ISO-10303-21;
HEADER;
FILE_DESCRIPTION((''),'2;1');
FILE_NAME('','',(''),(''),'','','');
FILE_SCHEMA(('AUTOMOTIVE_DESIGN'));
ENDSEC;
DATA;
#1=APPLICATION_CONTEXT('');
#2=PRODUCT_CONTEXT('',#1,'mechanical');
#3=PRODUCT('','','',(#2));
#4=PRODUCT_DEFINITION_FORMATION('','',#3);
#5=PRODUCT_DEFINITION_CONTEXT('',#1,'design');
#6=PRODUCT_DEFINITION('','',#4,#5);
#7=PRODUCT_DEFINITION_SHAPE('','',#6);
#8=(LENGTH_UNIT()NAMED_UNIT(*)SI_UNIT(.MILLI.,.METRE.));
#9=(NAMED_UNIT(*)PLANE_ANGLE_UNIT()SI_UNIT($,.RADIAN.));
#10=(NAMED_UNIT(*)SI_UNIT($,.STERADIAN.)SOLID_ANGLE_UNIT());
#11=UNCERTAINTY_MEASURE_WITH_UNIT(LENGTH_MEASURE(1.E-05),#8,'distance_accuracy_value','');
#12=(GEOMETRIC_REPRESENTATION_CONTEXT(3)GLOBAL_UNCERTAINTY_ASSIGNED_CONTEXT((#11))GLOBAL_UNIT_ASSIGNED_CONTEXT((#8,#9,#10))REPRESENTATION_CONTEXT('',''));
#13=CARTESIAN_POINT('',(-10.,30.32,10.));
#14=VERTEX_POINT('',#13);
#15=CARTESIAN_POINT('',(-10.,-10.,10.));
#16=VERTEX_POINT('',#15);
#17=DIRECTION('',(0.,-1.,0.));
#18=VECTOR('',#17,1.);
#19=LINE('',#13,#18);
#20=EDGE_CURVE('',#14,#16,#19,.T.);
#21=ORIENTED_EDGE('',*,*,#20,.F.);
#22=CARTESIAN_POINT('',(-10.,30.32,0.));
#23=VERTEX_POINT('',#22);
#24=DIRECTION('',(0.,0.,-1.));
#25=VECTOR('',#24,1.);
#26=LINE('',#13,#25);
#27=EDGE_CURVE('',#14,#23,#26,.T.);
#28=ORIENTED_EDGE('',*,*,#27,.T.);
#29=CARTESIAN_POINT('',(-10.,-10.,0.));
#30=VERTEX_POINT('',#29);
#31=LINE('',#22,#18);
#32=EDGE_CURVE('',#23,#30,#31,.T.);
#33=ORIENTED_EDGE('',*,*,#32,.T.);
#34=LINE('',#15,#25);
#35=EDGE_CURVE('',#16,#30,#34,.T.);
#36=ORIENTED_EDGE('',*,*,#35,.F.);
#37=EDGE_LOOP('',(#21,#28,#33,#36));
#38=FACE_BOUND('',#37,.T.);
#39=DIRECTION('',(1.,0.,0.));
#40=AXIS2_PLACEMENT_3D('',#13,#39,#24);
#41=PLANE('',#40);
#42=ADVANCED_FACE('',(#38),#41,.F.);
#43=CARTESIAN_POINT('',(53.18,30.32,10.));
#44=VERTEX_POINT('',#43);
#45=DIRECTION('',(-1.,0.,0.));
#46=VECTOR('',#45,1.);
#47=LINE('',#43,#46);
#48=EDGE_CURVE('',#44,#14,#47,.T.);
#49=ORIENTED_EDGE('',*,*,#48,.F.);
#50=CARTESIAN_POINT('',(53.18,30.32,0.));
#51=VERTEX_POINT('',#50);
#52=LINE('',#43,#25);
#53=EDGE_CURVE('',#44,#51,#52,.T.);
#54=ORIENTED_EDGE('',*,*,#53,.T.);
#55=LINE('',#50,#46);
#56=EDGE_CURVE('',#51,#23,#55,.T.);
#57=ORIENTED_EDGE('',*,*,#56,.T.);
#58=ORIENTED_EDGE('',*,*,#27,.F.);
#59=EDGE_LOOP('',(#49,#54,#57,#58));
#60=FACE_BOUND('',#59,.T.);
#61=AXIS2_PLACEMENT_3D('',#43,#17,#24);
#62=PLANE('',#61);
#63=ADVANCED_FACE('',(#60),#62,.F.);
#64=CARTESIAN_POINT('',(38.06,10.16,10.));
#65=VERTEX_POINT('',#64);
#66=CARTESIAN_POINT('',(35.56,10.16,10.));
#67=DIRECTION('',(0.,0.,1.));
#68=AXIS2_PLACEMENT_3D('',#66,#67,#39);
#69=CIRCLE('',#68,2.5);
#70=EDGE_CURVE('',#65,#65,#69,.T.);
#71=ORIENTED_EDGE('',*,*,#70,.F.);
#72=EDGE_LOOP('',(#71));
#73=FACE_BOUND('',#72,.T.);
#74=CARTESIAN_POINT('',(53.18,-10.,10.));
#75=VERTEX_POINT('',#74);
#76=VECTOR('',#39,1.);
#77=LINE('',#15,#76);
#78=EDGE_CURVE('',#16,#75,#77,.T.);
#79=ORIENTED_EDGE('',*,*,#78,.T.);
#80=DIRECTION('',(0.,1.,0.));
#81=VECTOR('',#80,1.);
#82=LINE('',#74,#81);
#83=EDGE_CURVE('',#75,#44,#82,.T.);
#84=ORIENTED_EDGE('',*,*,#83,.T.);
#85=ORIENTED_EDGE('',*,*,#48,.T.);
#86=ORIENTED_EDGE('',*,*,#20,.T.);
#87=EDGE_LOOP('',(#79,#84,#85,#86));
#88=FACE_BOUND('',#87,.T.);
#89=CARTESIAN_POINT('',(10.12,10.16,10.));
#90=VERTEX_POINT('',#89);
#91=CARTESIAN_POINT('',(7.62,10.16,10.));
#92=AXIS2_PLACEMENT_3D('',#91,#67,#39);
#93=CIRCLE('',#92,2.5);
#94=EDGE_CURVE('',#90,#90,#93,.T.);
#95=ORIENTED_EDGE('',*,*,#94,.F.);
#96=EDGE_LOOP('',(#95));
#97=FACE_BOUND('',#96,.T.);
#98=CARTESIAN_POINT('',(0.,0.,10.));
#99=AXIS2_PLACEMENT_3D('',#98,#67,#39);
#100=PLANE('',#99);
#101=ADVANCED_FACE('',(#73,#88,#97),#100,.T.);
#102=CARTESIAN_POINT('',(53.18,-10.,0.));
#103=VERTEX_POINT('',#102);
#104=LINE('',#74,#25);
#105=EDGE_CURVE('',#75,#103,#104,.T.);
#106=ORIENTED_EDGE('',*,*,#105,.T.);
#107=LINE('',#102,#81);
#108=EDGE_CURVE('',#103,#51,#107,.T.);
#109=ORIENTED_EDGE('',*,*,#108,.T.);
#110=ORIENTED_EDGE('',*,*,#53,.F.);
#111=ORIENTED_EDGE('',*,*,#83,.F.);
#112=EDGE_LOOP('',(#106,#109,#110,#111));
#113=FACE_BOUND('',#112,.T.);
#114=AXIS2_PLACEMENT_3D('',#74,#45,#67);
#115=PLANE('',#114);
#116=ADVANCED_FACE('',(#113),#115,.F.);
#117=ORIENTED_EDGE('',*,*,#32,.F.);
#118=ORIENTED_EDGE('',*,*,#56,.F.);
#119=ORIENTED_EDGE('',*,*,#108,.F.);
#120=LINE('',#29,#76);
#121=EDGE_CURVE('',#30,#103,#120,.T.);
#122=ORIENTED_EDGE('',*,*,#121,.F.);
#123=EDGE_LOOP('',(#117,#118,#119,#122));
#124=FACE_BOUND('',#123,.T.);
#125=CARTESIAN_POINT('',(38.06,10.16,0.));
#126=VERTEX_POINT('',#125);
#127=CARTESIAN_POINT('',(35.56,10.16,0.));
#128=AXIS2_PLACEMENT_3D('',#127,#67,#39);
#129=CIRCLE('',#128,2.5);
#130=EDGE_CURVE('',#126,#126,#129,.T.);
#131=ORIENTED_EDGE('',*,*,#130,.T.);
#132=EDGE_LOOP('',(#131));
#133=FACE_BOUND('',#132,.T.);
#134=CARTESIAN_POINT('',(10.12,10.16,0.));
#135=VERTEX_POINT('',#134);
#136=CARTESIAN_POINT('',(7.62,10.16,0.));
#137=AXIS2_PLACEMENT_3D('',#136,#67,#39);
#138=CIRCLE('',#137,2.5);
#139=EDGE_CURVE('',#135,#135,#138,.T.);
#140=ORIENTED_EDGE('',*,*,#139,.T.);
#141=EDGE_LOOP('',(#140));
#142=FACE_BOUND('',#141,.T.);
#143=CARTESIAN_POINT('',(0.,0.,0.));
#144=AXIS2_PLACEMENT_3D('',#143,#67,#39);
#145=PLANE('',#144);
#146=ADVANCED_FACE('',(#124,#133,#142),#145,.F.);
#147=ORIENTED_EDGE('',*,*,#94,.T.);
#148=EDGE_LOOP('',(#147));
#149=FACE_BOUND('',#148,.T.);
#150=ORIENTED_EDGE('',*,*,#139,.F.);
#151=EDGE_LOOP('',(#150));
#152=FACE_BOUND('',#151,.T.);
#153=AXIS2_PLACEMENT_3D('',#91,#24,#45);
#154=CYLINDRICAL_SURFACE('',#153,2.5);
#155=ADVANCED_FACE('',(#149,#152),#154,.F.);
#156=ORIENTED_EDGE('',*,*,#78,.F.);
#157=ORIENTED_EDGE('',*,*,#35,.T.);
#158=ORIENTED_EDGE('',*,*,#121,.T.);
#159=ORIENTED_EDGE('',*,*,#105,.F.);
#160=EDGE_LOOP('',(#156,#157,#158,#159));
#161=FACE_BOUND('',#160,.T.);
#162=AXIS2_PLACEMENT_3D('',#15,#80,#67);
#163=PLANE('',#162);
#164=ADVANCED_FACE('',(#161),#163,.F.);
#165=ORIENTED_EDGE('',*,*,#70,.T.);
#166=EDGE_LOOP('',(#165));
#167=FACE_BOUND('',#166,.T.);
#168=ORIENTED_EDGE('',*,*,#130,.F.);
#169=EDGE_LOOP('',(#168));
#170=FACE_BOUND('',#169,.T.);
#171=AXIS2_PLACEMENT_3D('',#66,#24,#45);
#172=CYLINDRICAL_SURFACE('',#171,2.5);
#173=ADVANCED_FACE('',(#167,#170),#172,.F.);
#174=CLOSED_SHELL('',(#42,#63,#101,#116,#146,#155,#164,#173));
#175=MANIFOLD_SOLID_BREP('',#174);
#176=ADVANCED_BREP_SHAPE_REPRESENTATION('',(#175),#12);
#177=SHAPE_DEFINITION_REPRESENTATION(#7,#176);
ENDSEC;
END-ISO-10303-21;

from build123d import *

# Parameters (mm, degrees)
SKETCH1_W           = 63.18
SKETCH1_H           = 40.32
SKETCH1_R           = 2.5
BOSS_EXTRUDE1_DEPTH = 10


with BuildPart() as part:
    # Sketch1 → Boss-Extrude1 (new body)
    with BuildSketch(Plane.XY):
        with Locations((21.59, 10.16)):
            Rectangle(SKETCH1_W, SKETCH1_H)
        with Locations((35.56, 10.16)):
            Circle(SKETCH1_R, mode=Mode.SUBTRACT)
        with Locations((7.62, 10.16)):
            Circle(SKETCH1_R, mode=Mode.SUBTRACT)
    extrude(amount=BOSS_EXTRUDE1_DEPTH)


solid = part.part
